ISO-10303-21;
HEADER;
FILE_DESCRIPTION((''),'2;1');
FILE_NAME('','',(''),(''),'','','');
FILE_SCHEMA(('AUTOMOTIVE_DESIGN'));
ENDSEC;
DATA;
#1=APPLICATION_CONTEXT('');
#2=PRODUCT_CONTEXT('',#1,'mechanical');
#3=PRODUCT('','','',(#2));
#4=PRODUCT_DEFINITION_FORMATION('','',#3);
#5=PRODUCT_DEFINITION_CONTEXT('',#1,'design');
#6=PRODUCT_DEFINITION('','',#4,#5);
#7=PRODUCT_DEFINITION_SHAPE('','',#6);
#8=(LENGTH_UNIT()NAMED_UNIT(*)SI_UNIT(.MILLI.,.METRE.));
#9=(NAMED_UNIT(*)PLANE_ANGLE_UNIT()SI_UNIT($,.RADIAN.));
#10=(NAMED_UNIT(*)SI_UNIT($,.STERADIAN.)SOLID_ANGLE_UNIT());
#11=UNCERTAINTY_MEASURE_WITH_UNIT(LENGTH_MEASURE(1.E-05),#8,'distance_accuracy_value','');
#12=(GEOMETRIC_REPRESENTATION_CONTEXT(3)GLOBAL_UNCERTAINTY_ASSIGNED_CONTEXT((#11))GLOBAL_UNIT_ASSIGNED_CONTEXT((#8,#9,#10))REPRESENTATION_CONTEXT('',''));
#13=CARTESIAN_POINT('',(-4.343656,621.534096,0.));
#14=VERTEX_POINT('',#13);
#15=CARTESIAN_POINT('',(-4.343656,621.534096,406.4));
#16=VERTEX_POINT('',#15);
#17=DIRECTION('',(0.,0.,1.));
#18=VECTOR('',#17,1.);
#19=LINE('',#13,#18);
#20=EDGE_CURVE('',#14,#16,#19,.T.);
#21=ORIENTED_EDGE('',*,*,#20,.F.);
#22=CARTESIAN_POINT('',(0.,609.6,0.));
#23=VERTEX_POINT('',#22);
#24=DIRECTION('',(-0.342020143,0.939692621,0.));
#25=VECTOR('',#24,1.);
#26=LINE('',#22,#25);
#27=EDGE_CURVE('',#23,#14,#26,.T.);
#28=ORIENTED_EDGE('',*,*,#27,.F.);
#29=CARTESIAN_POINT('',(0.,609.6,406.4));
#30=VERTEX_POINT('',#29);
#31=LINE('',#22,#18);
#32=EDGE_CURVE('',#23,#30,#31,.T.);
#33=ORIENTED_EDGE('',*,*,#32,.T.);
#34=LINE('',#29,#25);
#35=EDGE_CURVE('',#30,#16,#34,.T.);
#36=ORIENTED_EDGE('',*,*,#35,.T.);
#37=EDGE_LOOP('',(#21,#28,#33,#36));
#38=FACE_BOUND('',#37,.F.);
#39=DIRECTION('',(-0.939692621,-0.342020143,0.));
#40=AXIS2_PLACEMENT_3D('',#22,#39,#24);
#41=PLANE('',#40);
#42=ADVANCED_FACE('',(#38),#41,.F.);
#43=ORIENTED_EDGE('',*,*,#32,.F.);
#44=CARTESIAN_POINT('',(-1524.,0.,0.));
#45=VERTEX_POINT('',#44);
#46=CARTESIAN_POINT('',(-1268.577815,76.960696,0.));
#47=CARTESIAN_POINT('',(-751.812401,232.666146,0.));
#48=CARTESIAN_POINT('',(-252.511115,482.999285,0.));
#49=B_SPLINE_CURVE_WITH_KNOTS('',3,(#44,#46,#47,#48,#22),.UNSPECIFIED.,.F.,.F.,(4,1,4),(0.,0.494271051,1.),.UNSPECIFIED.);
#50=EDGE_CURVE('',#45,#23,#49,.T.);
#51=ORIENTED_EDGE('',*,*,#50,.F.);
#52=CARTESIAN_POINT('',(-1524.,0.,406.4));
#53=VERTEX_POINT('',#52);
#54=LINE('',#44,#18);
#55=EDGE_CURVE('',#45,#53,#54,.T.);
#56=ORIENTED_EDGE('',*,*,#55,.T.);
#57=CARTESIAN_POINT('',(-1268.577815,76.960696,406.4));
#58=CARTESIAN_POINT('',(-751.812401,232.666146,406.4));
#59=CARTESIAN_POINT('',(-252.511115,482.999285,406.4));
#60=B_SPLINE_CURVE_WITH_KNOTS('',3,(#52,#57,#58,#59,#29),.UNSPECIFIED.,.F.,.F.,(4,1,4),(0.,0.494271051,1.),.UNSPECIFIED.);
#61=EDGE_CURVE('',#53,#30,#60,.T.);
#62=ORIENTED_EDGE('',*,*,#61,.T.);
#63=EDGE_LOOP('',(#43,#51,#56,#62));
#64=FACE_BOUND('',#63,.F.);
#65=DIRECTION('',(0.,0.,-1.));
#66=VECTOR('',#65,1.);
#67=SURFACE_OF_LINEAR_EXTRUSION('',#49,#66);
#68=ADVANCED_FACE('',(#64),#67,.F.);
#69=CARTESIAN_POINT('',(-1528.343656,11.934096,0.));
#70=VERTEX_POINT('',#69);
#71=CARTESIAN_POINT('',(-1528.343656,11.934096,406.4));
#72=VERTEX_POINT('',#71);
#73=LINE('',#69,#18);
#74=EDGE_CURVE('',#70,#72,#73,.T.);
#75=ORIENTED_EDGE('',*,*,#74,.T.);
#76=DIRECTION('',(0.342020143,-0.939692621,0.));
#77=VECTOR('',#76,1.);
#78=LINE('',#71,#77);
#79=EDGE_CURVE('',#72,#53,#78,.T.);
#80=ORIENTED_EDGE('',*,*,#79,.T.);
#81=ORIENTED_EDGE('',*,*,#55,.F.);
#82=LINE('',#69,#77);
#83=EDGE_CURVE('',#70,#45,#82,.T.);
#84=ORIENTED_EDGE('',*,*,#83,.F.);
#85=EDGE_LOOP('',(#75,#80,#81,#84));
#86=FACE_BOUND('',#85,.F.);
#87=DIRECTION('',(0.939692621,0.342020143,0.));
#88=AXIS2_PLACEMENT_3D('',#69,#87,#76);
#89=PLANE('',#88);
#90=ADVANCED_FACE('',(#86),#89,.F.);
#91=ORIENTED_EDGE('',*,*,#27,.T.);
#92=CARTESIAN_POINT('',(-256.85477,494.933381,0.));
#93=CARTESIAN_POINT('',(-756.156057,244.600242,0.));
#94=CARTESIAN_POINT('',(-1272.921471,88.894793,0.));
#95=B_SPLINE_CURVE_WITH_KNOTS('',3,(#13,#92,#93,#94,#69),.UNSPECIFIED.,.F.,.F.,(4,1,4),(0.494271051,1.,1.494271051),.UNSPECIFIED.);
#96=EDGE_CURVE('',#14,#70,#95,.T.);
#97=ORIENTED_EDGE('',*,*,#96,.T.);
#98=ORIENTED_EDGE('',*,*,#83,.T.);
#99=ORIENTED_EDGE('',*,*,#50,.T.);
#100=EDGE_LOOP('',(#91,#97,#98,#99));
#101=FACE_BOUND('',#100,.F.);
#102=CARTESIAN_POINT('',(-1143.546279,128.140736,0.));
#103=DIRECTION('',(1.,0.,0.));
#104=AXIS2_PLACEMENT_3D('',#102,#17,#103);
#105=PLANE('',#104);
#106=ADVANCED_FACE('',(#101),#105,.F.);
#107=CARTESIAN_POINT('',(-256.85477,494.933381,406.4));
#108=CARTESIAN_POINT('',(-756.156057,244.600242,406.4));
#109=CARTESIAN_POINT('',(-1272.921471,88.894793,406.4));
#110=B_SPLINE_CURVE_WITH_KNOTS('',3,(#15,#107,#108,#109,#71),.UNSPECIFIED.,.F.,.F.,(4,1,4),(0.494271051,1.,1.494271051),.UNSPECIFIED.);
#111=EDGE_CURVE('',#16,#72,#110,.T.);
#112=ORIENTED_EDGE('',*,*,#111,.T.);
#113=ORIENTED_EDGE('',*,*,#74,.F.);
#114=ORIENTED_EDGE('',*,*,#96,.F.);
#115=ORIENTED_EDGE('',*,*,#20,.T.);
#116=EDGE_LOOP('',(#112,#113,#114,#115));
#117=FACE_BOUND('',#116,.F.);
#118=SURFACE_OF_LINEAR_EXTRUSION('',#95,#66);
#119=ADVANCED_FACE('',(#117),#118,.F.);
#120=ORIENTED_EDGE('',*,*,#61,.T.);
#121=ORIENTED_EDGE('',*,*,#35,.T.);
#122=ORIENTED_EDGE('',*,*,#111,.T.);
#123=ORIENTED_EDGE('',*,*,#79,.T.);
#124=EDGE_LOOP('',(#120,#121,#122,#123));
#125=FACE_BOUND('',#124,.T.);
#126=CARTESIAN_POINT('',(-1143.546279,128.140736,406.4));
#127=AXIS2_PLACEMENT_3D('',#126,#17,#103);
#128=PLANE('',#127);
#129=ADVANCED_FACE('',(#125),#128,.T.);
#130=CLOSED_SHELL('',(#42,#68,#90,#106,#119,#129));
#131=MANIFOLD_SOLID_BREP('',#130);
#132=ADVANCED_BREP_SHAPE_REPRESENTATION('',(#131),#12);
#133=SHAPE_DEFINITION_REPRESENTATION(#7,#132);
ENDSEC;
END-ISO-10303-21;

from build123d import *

# Parameters (mm, degrees)
F1_DEPTH = 406.4


with BuildPart() as f1:
    # F0 (on Top) → F1 (new body)
    with BuildSketch(Plane.XY):
        with BuildLine():
            Line((-1528.3436558202, 11.934096284), (-1524, 0))
            add(Edge.make_bspline(
                [(-1524, 0), (-1268.5778153048, 76.9606963867), (-1013.1556306097, 153.9213927733), (-762, 254)],
                knots=[0, 0, 0, 0, 0.4942710514, 0.4942710514, 0.4942710514, 0.4942710514], degree=3))
            Line((-762, 254), (-766.3436558202, 265.934096284))
            add(Edge.make_bspline(
                [(-1528.3436558202, 11.934096284), (-1272.9214711251, 88.8947926706), (-1017.4992864299, 165.8554890573), (-766.3436558202, 265.934096284)],
                knots=[0, 0, 0, 0, 0.4942710514, 0.4942710514, 0.4942710514, 0.4942710514], degree=3))
        make_face()
        with BuildLine():
            Line((-766.3436558202, 265.934096284), (-762, 254))
            add(Edge.make_bspline(
                [(-762, 254), (-505.0222291555, 356.3985698904), (-252.5111145777, 482.9992849452), (0, 609.6)],
                knots=[0.4942710514, 0.4942710514, 0.4942710514, 0.4942710514, 1, 1, 1, 1], degree=3))
            Line((0, 609.6), (-4.3436558202, 621.534096284))
            add(Edge.make_bspline(
                [(-766.3436558202, 265.934096284), (-509.3658849757, 368.3326661743), (-256.854770398, 494.9333812292), (-4.3436558202, 621.534096284)],
                knots=[0.4942710514, 0.4942710514, 0.4942710514, 0.4942710514, 1, 1, 1, 1], degree=3))
        make_face()
    extrude(amount=F1_DEPTH)


solid = f1.part
